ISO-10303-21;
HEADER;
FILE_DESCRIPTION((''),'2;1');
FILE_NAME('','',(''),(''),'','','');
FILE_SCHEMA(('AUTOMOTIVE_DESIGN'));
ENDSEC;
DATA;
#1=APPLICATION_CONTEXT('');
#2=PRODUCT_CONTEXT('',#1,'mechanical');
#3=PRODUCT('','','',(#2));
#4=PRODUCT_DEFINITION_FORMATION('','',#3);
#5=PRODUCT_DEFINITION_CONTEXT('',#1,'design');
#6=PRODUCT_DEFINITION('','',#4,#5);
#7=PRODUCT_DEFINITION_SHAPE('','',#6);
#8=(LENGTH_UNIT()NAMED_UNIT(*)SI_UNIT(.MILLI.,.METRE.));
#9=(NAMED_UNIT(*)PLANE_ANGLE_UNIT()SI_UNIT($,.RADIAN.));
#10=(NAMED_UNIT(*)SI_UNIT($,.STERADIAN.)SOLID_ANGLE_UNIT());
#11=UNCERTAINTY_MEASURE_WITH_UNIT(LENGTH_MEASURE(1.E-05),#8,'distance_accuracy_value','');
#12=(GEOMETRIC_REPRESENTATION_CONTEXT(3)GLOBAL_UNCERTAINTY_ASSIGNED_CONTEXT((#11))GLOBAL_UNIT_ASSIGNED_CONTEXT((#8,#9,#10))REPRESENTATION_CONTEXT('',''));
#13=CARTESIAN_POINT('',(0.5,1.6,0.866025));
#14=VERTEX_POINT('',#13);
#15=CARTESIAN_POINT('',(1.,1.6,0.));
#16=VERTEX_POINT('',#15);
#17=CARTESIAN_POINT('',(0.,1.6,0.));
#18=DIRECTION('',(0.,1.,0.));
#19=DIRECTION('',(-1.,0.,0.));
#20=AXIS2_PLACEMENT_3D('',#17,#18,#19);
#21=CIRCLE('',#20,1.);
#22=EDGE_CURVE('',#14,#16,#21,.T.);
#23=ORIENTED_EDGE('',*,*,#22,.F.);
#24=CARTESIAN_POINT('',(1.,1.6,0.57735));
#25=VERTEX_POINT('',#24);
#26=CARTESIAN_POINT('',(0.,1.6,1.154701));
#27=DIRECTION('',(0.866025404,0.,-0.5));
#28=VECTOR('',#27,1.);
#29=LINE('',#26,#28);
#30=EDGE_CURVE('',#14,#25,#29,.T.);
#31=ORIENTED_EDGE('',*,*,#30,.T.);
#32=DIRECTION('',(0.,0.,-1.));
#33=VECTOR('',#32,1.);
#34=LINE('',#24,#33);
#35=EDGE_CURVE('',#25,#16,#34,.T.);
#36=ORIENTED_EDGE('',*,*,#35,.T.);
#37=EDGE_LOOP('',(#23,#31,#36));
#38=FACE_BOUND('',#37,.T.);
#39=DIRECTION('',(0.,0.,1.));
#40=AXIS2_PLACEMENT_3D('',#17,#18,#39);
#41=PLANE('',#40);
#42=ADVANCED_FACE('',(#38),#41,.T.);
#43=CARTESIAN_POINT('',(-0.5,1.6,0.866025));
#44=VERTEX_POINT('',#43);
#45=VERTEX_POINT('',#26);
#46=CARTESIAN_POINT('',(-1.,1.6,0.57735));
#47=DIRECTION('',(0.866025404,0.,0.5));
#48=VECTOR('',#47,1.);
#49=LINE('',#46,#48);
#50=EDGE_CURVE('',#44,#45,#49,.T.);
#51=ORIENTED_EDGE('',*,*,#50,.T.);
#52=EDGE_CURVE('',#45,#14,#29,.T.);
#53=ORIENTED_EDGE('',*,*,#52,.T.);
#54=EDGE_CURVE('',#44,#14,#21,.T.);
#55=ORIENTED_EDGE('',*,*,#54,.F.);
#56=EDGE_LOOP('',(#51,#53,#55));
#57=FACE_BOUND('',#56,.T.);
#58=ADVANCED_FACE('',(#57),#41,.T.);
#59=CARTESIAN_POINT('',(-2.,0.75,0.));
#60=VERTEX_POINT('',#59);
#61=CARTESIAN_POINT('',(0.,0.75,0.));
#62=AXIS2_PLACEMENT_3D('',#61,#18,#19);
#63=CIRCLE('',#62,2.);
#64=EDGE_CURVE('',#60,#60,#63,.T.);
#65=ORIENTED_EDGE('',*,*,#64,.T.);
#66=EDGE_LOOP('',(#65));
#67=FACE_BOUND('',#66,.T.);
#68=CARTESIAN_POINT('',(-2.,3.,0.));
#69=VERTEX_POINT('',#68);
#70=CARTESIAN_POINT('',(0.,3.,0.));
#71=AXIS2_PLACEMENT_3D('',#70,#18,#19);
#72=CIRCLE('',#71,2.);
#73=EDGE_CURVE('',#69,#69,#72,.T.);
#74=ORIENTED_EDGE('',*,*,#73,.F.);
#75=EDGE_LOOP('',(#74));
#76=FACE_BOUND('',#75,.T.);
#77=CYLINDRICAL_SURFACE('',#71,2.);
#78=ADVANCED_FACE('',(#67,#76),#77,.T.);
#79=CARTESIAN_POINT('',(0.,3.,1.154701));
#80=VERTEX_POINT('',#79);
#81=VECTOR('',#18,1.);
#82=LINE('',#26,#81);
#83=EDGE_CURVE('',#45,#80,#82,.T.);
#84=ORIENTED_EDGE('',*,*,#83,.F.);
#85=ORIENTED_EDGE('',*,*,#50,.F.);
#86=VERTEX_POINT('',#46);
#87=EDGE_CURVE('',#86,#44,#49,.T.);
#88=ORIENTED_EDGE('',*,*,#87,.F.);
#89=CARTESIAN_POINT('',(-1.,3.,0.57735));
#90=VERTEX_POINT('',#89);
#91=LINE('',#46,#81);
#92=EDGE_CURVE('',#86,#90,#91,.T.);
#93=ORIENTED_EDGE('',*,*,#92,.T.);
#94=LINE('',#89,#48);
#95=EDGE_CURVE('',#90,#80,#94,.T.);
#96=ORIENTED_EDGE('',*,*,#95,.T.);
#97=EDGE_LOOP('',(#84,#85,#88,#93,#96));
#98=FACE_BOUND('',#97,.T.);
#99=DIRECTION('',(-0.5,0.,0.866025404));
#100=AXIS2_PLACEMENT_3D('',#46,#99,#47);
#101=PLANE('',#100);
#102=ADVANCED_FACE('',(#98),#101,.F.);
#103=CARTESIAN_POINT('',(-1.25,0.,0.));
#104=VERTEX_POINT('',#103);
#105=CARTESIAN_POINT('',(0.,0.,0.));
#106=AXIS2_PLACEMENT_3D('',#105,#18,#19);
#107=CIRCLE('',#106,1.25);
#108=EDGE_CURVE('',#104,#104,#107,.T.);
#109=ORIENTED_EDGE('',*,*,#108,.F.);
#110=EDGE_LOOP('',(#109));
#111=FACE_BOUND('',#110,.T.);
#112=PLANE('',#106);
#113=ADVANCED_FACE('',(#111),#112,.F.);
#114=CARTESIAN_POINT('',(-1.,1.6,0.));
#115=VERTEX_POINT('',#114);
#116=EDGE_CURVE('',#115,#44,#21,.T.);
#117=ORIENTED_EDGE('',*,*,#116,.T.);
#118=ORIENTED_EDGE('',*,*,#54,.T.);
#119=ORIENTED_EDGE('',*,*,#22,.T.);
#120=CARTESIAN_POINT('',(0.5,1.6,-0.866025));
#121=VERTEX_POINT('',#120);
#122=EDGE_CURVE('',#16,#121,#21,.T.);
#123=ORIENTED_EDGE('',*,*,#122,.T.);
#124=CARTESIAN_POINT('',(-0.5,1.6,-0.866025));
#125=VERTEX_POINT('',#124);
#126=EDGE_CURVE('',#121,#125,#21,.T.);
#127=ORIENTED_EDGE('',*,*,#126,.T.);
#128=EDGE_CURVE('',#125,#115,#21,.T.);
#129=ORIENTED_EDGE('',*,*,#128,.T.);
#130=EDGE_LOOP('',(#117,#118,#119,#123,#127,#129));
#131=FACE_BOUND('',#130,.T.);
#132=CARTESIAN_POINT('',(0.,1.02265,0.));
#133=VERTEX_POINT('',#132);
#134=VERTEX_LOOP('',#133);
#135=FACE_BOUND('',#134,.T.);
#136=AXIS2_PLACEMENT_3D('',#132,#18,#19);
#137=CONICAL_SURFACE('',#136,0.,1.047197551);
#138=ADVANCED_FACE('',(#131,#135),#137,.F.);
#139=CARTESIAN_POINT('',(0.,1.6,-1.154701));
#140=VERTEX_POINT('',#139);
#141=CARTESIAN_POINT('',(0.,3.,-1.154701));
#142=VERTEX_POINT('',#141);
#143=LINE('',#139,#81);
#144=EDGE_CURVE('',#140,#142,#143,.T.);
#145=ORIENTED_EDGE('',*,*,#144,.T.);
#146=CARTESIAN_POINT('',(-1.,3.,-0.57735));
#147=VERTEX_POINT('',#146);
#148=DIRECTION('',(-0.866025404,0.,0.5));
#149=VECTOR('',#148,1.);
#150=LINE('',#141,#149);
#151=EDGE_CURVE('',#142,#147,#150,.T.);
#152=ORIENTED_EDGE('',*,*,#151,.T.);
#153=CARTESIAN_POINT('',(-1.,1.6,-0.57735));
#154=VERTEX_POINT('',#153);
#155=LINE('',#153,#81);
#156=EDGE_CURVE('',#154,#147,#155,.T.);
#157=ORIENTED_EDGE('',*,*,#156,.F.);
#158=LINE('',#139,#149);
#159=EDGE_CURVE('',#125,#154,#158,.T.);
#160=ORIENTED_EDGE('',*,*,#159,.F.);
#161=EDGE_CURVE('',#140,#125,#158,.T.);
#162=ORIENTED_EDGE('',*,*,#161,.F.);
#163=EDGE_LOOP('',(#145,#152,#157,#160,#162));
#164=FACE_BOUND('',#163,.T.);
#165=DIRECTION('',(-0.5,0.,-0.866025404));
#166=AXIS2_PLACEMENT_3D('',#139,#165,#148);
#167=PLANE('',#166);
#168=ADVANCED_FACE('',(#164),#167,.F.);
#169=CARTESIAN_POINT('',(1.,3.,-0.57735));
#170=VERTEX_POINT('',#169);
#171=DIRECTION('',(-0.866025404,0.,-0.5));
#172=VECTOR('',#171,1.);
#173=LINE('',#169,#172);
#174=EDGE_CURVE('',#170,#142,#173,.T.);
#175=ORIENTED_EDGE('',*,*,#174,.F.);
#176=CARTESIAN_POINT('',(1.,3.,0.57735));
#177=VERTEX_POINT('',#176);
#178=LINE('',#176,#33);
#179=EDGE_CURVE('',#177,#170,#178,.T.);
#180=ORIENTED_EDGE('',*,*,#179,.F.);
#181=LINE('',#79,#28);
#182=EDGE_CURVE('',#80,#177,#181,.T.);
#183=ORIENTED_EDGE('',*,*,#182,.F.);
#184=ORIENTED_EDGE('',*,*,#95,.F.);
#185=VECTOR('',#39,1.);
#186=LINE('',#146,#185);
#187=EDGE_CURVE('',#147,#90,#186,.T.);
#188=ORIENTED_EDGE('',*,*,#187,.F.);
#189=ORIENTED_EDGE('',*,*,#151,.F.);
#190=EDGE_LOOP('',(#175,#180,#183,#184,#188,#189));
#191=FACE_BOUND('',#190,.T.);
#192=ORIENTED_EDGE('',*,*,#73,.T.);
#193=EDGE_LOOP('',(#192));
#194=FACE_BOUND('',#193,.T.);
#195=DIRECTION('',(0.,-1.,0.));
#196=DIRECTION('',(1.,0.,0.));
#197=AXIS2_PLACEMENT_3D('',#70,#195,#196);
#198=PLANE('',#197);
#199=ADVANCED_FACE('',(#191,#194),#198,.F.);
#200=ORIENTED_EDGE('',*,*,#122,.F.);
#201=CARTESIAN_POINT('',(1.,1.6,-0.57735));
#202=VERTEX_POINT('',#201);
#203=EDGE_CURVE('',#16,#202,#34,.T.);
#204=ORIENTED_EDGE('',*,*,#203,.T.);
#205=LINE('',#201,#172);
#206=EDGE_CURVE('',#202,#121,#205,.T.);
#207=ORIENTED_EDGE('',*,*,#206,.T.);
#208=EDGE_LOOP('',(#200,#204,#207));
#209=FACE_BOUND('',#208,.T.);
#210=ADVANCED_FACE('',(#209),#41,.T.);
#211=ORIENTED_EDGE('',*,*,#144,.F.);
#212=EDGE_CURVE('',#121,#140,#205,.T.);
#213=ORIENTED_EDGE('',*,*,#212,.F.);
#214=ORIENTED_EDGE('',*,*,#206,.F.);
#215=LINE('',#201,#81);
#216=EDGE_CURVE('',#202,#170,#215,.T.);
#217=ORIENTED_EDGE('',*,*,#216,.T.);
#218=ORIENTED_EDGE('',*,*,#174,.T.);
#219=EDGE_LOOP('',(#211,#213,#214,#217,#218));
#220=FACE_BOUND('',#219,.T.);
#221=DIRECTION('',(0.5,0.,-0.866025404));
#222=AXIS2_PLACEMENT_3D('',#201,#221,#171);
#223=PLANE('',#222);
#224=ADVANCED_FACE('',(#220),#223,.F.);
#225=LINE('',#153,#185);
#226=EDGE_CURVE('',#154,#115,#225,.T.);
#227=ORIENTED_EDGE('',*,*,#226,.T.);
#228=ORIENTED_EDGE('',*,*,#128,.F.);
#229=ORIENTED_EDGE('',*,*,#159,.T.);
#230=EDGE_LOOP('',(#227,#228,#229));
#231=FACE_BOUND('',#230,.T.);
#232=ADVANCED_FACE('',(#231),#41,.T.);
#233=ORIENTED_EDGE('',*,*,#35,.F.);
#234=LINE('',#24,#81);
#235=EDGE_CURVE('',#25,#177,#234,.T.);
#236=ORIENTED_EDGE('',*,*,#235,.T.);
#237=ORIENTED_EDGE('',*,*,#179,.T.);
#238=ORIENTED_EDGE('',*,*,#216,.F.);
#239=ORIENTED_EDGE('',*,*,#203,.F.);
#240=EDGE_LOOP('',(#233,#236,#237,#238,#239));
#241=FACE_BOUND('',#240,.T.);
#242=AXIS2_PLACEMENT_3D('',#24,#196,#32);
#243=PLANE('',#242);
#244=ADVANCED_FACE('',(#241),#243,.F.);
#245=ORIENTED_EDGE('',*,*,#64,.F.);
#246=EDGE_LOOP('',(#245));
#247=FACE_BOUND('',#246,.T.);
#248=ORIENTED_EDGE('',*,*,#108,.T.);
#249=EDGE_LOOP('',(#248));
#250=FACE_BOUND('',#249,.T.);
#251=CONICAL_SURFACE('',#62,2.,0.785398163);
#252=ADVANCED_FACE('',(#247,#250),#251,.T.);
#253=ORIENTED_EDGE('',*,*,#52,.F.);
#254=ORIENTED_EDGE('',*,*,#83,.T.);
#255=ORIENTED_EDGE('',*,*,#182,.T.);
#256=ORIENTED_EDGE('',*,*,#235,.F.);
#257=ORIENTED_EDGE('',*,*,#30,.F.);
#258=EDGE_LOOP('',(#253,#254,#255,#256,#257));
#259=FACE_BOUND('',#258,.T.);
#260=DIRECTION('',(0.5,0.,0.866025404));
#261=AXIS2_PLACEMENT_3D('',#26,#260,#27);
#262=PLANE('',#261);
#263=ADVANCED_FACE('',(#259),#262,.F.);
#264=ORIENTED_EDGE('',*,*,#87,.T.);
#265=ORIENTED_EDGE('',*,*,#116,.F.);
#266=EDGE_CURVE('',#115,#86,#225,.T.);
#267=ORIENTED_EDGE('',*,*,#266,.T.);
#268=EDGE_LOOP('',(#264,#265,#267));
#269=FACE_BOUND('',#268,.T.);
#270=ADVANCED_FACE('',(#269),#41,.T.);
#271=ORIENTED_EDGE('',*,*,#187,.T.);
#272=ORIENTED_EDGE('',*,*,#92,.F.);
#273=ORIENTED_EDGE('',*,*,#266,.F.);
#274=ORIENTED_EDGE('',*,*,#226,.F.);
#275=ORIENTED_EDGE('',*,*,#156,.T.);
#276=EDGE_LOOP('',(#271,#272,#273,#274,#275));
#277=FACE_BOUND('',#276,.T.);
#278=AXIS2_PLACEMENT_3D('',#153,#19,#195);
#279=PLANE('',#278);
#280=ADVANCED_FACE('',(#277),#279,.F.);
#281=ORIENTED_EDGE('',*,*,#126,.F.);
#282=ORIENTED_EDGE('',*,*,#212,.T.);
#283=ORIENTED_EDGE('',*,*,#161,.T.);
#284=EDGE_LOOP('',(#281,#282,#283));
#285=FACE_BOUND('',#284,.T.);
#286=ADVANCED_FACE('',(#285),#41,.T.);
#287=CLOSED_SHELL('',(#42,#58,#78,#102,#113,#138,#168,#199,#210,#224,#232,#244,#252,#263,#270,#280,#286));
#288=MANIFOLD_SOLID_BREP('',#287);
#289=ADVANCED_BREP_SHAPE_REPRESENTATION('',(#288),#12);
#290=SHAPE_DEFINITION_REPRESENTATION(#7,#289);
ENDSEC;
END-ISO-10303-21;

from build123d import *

# Parameters (mm, degrees)
SKETCH1_W          = 2
SKETCH1_H          = 3
CUT_EXTRUDE1_DEPTH = 1.4


with BuildPart() as part:
    # Sketch1 → Revolve1 (revolve)
    with BuildSketch(Plane.XY, mode=Mode.PRIVATE) as revolve1_sk:
        with Locations((1, 1.5)):
            Rectangle(SKETCH1_W, SKETCH1_H)
    revolve(revolve1_sk.sketch.rotate(Axis((0, 3, 0), (0, -1, 0)), 180), axis=Axis((0, 3, 0), (0, -1, 0)))

    # Sketch2 → Cut-Revolve1 (revolve, cut)
    with BuildSketch(Plane.XY, mode=Mode.PRIVATE) as cut_revolve1_sk:
        Polygon((0, 3), (1, 3), (1, 1.6), (0, 1.022649731), align=None)
    revolve(cut_revolve1_sk.sketch.rotate(Axis((0, 3, 0), (0, -1, 0)), 180), axis=Axis((0, 3, 0), (0, -1, 0)), mode=Mode.SUBTRACT)

    # Sketch3 → Cut-Extrude1 (cut)
    with BuildSketch(Plane(origin=(0, 3, 0), x_dir=(1, 0, 0), z_dir=(0, 1, 0))):
        Polygon((0, 1.154700538), (-1, 0.577350269), (-1, -0.577350269), (0, -1.154700538), (1, -0.577350269), (1, 0.577350269), align=None)
    extrude(amount=-CUT_EXTRUDE1_DEPTH, mode=Mode.SUBTRACT)

    # Sketch4 → Cut-Revolve2 (revolve, cut)
    with BuildSketch(Plane.XY, mode=Mode.PRIVATE) as cut_revolve2_sk:
        Polygon((2, 0.75), (2, 0), (1.25, 0), align=None)
    revolve(cut_revolve2_sk.sketch.rotate(Axis((0, 3, 0), (0, -1, 0)), 180), axis=Axis((0, 3, 0), (0, -1, 0)), mode=Mode.SUBTRACT)


solid = part.part
